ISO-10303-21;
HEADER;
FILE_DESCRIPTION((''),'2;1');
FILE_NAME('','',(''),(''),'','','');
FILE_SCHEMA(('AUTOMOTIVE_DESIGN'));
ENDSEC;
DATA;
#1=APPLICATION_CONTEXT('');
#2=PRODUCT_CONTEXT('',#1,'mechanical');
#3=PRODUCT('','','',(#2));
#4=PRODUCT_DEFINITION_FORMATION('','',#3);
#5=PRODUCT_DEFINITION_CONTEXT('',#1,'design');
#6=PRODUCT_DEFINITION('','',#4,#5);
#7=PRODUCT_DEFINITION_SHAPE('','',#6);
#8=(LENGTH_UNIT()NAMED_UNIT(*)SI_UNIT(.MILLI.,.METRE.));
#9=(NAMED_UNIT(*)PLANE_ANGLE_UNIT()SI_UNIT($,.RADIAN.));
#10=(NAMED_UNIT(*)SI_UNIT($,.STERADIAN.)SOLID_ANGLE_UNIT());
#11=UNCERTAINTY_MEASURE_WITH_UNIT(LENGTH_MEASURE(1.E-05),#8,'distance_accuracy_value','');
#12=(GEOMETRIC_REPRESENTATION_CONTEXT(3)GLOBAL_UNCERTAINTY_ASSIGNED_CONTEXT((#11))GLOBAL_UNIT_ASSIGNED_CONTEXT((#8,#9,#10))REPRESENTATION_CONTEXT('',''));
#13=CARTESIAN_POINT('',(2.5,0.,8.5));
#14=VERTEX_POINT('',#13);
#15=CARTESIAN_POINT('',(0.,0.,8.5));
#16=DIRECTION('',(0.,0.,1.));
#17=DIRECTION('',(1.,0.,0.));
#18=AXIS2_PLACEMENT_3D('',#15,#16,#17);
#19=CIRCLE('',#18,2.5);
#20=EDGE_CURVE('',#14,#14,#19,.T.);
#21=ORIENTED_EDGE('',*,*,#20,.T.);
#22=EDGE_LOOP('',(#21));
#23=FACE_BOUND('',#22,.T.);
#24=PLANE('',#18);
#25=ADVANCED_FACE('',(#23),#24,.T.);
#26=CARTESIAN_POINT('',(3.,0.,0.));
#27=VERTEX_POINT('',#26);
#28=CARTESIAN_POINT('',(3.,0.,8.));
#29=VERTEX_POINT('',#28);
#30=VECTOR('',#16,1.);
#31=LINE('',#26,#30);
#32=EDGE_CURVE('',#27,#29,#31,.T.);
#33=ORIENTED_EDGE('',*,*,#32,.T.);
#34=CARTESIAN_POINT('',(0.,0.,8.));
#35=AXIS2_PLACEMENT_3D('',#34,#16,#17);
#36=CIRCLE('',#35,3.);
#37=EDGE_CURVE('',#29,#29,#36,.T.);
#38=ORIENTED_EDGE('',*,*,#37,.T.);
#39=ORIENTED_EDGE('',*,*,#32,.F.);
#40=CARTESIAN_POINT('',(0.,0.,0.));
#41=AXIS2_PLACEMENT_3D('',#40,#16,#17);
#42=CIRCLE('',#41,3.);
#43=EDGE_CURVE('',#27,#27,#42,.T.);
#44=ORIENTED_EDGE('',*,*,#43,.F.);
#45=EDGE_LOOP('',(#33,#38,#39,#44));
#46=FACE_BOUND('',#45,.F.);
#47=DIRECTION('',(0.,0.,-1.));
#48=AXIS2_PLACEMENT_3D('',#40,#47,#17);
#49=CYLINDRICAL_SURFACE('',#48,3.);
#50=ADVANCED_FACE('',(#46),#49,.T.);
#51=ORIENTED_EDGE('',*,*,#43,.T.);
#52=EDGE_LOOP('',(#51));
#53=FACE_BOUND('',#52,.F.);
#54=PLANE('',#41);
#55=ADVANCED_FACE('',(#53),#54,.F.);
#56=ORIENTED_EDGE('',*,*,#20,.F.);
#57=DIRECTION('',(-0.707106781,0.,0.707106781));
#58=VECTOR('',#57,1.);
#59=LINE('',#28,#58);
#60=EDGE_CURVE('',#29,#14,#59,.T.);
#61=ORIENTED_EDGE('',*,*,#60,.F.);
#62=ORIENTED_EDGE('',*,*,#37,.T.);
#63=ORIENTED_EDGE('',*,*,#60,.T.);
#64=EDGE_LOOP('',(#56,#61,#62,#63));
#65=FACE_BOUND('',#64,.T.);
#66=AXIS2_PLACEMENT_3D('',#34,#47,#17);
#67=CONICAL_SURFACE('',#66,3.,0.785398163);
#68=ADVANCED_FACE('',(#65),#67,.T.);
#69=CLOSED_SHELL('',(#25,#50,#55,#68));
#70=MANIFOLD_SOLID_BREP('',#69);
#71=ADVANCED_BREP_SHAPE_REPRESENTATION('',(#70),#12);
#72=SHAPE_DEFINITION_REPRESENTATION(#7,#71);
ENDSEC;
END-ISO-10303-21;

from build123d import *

# Parameters (mm, degrees)
SKETCH_R     = 3
PAD_DEPTH    = 8.5
CHAMFER_SIZE = 0.5


with BuildPart() as part:
    # Sketch → Pad (new body)
    with BuildSketch(Plane.XY):
        Circle(SKETCH_R)
    extrude(amount=PAD_DEPTH)

    # Chamfer
    chamfer_edges = [part.edges().sort_by_distance(p)[0] for p in [
        (-3, 0, 8.5),
    ]]
    chamfer(chamfer_edges, length=CHAMFER_SIZE)


solid = part.part
